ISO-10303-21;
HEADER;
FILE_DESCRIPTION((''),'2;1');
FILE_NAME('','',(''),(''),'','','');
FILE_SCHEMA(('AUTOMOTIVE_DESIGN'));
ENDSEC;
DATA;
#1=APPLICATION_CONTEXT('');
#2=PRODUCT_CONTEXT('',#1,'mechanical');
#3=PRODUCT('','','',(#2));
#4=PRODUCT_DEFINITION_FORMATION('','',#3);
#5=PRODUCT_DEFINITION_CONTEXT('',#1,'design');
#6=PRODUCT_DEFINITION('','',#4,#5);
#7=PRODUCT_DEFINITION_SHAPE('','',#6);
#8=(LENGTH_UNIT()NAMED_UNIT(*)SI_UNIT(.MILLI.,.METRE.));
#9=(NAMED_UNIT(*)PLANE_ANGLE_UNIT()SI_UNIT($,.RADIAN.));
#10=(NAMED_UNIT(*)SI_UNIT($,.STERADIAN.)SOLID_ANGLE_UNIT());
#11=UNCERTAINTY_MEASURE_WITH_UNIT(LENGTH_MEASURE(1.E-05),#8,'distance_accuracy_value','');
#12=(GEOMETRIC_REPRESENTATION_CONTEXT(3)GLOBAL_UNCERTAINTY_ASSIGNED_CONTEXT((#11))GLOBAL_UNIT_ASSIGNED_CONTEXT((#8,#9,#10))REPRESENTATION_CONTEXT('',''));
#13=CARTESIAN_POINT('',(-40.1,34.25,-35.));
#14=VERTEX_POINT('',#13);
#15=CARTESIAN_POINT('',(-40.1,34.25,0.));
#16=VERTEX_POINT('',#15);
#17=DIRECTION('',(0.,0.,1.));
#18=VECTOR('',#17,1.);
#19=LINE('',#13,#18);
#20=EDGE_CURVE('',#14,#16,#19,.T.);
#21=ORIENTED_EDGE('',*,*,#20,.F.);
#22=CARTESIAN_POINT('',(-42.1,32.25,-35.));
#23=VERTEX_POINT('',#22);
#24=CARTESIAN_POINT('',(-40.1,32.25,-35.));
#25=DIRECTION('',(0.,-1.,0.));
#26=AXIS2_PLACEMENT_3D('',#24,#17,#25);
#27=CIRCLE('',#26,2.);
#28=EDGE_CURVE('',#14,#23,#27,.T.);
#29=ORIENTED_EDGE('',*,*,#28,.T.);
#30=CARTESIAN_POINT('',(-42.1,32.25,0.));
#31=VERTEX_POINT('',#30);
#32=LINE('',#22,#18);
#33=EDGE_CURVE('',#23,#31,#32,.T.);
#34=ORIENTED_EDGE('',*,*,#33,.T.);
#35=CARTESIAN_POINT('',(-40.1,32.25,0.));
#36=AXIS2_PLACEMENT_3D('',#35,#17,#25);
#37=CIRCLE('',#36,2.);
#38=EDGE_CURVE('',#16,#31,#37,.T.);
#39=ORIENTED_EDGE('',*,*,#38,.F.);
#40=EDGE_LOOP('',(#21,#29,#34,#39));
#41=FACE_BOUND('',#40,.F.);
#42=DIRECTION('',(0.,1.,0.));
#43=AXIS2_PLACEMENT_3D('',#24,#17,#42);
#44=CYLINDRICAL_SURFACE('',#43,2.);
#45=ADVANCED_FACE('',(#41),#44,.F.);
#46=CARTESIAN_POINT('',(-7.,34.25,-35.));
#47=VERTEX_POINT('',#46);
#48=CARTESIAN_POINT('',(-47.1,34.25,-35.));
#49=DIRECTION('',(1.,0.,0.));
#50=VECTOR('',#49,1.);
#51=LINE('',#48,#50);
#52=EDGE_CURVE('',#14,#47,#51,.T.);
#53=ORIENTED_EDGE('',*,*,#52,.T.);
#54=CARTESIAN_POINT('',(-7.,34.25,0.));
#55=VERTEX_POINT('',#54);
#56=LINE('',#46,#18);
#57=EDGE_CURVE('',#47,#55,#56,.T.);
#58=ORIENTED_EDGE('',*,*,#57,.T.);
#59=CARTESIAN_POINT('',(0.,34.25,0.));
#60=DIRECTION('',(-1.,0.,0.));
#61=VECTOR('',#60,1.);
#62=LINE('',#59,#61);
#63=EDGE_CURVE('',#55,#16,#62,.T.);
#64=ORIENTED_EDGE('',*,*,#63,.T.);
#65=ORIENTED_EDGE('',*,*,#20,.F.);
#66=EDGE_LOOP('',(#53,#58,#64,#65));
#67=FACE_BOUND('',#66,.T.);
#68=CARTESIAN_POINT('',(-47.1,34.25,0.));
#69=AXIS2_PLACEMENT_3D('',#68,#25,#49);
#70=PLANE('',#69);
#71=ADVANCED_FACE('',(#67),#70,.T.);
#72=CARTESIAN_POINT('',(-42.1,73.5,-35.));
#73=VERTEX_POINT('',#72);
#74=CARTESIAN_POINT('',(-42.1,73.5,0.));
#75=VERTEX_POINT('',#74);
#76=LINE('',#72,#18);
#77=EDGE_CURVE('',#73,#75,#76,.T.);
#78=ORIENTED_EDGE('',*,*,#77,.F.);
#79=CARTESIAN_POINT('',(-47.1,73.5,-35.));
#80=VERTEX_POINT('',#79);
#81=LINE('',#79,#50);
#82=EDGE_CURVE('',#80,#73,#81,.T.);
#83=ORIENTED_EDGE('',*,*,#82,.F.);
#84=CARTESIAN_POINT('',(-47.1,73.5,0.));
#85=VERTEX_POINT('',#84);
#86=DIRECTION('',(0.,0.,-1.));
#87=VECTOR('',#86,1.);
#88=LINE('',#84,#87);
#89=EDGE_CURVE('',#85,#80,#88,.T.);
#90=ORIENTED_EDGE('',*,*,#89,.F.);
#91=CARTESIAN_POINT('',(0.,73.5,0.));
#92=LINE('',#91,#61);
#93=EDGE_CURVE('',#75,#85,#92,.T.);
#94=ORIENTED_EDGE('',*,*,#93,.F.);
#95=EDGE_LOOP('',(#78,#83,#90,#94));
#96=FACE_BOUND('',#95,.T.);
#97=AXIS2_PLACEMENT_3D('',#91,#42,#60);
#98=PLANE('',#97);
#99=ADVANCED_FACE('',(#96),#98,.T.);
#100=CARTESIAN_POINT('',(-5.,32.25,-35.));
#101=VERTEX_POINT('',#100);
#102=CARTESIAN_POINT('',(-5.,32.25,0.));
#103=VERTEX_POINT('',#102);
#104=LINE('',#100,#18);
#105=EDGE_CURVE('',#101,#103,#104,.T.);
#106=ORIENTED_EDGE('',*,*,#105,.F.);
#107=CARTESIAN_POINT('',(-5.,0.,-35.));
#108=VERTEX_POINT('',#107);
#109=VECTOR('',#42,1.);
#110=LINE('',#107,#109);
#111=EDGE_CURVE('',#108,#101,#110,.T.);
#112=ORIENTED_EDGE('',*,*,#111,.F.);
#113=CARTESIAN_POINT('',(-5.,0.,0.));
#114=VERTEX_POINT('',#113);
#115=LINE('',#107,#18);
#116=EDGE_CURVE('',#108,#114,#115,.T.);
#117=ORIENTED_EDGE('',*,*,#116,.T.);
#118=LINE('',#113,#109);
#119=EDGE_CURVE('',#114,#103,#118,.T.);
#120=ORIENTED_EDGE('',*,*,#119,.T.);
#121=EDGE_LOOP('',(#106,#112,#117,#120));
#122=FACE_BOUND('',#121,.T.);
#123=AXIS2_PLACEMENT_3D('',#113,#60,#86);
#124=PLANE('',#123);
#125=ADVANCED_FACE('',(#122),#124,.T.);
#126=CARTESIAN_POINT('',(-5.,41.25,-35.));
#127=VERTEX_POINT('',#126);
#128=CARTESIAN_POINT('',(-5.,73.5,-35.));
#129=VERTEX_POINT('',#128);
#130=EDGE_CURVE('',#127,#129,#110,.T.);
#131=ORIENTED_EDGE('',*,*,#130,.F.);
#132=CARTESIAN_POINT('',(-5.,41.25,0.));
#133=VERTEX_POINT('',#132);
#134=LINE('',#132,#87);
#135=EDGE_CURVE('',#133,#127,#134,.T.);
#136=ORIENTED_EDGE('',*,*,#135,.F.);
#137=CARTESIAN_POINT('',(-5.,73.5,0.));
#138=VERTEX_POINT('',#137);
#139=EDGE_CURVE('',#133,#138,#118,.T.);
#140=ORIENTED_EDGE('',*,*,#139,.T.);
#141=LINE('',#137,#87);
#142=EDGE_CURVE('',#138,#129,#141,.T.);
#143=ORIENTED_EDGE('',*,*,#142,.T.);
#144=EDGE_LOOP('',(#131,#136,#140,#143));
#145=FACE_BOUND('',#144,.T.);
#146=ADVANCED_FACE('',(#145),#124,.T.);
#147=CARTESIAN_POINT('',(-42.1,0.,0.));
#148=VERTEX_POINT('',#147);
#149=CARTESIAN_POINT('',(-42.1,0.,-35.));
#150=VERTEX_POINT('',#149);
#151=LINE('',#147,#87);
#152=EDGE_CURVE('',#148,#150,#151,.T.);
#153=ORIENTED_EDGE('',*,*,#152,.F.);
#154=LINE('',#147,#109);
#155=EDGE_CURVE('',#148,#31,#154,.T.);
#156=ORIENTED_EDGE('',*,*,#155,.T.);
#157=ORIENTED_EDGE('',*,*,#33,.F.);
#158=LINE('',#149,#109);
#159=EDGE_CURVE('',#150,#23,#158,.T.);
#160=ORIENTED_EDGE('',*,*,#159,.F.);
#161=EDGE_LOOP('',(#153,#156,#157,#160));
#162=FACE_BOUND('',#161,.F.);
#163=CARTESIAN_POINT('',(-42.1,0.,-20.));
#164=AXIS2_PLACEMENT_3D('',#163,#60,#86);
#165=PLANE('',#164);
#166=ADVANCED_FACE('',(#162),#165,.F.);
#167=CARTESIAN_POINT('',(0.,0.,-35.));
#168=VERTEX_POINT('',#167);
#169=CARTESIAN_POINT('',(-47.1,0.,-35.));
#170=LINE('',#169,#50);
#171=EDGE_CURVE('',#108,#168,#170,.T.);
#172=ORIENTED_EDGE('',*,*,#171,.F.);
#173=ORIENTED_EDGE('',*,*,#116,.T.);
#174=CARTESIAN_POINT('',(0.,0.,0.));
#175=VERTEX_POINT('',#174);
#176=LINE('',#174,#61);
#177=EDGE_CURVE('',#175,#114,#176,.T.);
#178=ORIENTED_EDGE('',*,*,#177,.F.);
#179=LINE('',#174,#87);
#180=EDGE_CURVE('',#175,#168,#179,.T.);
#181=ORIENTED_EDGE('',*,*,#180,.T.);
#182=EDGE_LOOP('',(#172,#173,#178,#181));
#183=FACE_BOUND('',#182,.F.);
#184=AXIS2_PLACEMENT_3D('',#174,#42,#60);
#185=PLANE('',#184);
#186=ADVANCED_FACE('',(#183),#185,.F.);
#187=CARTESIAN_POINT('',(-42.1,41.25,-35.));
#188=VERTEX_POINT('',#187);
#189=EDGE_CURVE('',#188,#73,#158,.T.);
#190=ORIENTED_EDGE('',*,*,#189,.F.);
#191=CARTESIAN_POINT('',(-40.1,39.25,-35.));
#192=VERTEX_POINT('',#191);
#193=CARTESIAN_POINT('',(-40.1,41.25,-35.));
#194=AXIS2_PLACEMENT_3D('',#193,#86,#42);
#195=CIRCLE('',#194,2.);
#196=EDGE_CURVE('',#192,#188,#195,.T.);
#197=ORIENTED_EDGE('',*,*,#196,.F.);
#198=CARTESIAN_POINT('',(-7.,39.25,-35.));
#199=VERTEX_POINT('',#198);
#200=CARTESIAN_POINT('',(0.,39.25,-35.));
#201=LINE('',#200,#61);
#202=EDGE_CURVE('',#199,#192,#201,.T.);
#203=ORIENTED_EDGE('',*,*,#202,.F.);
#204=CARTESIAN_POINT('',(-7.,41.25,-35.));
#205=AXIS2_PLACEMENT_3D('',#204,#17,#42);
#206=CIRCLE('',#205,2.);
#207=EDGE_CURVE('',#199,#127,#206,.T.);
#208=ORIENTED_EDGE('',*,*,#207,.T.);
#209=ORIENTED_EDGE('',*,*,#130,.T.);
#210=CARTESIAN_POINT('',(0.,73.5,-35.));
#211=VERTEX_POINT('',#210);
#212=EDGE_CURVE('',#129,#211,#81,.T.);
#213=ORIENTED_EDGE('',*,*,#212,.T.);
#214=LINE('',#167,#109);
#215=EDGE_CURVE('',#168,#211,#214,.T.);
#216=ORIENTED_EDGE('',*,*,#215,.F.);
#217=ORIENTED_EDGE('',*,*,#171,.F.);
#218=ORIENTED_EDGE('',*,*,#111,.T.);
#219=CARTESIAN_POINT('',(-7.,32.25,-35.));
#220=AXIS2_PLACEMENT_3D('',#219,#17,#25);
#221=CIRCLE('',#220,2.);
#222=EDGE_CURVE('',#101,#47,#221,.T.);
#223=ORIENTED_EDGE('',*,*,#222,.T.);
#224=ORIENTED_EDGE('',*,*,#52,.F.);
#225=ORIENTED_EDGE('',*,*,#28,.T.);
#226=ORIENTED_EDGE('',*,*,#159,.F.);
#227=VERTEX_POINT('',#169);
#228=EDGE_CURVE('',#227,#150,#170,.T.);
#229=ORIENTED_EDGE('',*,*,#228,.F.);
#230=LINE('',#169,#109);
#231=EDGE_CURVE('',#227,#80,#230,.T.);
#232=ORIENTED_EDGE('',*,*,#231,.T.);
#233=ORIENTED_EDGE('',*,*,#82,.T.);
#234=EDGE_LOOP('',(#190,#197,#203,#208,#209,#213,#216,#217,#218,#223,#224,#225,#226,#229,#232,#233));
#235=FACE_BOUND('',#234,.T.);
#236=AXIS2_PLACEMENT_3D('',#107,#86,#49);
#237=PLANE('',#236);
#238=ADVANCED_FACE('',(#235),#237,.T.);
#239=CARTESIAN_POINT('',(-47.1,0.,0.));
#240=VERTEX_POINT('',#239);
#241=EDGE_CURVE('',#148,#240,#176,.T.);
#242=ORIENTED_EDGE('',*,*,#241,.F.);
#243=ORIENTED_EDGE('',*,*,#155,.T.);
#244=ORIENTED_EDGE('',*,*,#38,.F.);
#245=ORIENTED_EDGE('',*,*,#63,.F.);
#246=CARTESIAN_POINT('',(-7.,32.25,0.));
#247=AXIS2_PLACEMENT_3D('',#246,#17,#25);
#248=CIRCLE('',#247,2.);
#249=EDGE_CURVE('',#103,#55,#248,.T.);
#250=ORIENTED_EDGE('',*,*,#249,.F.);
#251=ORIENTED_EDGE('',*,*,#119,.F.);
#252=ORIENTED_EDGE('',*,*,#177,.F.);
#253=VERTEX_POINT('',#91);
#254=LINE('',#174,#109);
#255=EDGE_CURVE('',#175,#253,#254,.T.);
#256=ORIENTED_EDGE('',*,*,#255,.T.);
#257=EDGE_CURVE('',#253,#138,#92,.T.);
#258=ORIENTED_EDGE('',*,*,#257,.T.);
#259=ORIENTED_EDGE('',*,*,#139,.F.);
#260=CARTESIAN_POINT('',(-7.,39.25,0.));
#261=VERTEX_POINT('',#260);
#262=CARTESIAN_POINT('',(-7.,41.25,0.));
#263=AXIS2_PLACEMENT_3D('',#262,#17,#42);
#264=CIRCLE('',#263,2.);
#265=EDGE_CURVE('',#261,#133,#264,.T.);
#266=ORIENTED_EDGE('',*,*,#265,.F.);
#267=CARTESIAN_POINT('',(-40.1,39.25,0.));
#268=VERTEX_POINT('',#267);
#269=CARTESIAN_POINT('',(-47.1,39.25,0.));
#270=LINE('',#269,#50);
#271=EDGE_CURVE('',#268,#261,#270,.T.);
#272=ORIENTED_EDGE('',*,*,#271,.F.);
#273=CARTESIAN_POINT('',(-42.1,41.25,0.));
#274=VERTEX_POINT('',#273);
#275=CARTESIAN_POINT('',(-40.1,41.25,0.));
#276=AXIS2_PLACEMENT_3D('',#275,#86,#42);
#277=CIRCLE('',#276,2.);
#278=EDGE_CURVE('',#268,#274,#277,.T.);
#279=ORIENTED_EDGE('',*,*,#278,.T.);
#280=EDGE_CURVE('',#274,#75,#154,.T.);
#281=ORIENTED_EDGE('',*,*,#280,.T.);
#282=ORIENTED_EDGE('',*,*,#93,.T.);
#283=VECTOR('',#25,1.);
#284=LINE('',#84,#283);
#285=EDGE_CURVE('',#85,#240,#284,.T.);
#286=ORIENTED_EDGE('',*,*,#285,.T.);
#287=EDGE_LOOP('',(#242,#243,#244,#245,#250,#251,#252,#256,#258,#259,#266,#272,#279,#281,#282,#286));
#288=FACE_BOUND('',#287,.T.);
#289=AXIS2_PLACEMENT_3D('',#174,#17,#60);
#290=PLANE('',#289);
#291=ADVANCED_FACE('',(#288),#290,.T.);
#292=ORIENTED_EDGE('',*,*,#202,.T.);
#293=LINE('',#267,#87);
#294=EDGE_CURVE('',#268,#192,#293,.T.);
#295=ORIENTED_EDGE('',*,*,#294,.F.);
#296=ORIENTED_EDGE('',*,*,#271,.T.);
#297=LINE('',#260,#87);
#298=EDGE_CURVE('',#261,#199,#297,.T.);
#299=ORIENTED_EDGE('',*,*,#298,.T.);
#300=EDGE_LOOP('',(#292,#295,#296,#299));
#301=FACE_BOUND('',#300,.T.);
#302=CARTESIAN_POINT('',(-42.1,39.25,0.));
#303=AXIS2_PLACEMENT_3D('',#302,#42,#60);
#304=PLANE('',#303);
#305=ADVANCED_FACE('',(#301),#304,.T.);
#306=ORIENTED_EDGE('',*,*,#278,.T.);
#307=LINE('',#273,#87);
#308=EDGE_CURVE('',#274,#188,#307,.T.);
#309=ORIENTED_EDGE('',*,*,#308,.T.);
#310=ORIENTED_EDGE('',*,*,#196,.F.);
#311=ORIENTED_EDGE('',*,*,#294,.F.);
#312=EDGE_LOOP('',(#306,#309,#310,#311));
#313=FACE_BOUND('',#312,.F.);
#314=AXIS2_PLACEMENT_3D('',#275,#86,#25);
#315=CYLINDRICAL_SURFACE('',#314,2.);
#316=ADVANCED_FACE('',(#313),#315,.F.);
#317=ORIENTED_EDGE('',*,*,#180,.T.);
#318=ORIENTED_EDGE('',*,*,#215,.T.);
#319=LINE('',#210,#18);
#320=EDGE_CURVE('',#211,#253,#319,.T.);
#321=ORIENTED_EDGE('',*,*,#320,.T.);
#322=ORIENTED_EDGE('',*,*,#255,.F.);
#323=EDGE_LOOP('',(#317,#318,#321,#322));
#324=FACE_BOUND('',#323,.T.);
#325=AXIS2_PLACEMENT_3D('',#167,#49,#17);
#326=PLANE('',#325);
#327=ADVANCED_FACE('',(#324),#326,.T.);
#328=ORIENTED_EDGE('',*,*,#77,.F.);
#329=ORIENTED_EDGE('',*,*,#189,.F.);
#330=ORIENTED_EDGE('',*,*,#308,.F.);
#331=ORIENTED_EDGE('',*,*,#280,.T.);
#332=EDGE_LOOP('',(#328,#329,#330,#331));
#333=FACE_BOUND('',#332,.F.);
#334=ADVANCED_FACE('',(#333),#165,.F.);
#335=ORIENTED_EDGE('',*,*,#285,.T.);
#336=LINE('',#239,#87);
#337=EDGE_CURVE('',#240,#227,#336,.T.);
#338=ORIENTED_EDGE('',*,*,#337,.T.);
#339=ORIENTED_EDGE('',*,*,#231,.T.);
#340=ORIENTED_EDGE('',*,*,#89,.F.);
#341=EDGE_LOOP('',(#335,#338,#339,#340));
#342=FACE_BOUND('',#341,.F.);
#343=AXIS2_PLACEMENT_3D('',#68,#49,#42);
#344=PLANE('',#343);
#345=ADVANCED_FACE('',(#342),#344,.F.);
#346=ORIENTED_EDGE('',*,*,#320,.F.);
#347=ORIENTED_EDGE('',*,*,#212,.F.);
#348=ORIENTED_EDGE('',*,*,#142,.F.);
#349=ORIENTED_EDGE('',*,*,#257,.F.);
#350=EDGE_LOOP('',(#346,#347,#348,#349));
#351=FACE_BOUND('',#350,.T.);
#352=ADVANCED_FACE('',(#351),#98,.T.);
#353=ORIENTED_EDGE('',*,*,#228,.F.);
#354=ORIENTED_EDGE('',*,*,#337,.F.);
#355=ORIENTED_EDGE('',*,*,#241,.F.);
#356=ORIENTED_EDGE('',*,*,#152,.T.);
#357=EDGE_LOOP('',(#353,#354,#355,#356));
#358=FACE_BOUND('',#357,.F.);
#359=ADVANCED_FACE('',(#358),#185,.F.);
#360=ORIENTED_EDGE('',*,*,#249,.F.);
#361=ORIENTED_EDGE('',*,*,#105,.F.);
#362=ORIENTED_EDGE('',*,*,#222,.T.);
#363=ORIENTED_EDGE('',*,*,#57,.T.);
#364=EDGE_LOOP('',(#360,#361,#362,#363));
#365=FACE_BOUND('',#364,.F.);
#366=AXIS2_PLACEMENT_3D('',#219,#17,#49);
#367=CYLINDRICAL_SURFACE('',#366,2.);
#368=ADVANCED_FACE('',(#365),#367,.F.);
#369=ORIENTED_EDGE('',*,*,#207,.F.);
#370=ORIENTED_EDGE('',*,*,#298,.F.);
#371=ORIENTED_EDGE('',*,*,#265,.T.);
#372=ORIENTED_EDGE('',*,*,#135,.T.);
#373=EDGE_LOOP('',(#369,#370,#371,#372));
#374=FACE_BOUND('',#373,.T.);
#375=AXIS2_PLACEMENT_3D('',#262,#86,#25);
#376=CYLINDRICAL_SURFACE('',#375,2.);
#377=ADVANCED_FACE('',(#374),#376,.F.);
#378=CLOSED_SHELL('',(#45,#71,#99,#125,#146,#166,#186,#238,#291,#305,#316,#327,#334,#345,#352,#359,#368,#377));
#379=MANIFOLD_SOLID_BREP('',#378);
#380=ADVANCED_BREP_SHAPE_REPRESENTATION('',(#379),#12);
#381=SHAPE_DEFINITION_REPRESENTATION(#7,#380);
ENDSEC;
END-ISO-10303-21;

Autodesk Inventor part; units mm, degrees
ref_plane "YZ Plane" through (0, 0, 0) normal (1, 0, 0) x (0, 1, 0)
ref_plane "XZ Plane" through (0, 0, 0) normal (0, 1, 0) x (-1, 0, 0)
ref_plane "XY Plane" through (0, 0, 0) normal (0, 0, 1) x (1, 0, 0)
sketch "Sketch1" plane through (0, 0, 0) normal (0, 1, 0) x (-1, 0, 0)
  line L0 (0, 0) -> (47.1, 0)
  line L1 (47.1, 0) -> (47.1, -35)
  line L2 (47.1, -35) -> (0, -35)
  line L3 (0, -35) -> (0, 0)
  line L4 (47.1, 0) -> (42.1, 0)
  line L5 (42.1, 0) -> (42.1, -35)
  line L6 (42.1, -35) -> (47.1, -35)
  line L7 (47.1, -35) -> (47.1, 0)
  line L8 (42.1, -15) -> (5, -15)
  line L9 (0, -11) -> (0, -16)
  line L10 (5, -20) -> (42.1, -20)
  line L11 (42.1, -20) -> (42.1, -15)
  line L12 (0, 0) -> (5, 0)
  line L13 (5, 0) -> (5, -35)
  line L14 (5, -35) -> (0, -35)
  line L15 (0, -35) -> (0, 0)
  dimension "d0" = 47.1
  dimension "d1" = 35
  dimension "d2" = 5
  dimension "d3" = 5
  dimension "d4" = 15
  dimension "d6" = 5
  dimension "d7" = 35
  dimension "d15" = 15
extrude "Extrusion1" add sketch "Sketch1" along normal blind 73.5 contours L0 L13 L2 L3 | L0 L1 L2 L5
sketch "Sketch2" plane through (-47.1, 0, 0) normal (0, 0, 1) x (1, 0, 0)
  line L0 (0, 0) -> (5, 0) projected
  line L1 (5, 0) -> (5, 73.5) projected
  line L2 (0, 73.5) -> (5, 73.5) projected
  line L3 (0, 0) -> (0, 73.5) projected
  line L4 (42.1, 0) -> (47.1, 0) projected
  line L5 (47.1, 0) -> (47.1, 73.5) projected
  line L6 (42.1, 73.5) -> (47.1, 73.5) projected
  line L7 (42.1, 0) -> (42.1, 73.5) projected
  line L8 (5, 0) -> (5, 73.5) projected
  line L9 (42.1, 0) -> (42.1, 73.5) projected
  line L10 (42.1, 15.5) -> (42.1, 10.5)
  line L11 (5, 10.5) -> (5, 15.5)
  line L12 (47.1, 0) -> (47.1, 73.5) projected
  line L13 (0, 0) -> (0, 73.5) projected
  line L14 (47.1, 39.25) -> (0, 39.25)
  line L15 (0, 39.25) -> (0, 34.25)
  line L16 (0, 34.25) -> (47.1, 34.25)
  line L17 (47.1, 34.25) -> (47.1, 39.25)
  dimension "d10" = 5
  dimension "d16" = 5
  dimension "d17" = 34.25
sketch "Sketch3" plane through (0, 0, 0) normal (0, -1, 0) x (1, 0, 0)
  line L0 (-43.6752, -16.6981) -> (-43.6752, -10.5412) construction
  line L1 (-43.6752, -10.5412) -> (-38.9883, -10.5412) construction
  line L2 (-38.9883, -10.5412) -> (-38.9883, -16.6981) construction
  line L3 (-38.9883, -16.6981) -> (-43.6752, -16.6981) construction
  point P0 (0, 0)
extrude "Extrusion3" add sketch "Sketch2" against normal blind 35 contours L3 L14 L1 L16 | L1 L14 L7 L16 | L7 L14 L5 L16
fillet "Fillet2" radius 2 4 edges at (-5, 34.25, -17.5) (-42.1, 34.25, -17.5) (-5, 39.25, -17.5) (-42.1, 39.25, -17.5)
properties part number "150x0y0z_0x0y0z"
